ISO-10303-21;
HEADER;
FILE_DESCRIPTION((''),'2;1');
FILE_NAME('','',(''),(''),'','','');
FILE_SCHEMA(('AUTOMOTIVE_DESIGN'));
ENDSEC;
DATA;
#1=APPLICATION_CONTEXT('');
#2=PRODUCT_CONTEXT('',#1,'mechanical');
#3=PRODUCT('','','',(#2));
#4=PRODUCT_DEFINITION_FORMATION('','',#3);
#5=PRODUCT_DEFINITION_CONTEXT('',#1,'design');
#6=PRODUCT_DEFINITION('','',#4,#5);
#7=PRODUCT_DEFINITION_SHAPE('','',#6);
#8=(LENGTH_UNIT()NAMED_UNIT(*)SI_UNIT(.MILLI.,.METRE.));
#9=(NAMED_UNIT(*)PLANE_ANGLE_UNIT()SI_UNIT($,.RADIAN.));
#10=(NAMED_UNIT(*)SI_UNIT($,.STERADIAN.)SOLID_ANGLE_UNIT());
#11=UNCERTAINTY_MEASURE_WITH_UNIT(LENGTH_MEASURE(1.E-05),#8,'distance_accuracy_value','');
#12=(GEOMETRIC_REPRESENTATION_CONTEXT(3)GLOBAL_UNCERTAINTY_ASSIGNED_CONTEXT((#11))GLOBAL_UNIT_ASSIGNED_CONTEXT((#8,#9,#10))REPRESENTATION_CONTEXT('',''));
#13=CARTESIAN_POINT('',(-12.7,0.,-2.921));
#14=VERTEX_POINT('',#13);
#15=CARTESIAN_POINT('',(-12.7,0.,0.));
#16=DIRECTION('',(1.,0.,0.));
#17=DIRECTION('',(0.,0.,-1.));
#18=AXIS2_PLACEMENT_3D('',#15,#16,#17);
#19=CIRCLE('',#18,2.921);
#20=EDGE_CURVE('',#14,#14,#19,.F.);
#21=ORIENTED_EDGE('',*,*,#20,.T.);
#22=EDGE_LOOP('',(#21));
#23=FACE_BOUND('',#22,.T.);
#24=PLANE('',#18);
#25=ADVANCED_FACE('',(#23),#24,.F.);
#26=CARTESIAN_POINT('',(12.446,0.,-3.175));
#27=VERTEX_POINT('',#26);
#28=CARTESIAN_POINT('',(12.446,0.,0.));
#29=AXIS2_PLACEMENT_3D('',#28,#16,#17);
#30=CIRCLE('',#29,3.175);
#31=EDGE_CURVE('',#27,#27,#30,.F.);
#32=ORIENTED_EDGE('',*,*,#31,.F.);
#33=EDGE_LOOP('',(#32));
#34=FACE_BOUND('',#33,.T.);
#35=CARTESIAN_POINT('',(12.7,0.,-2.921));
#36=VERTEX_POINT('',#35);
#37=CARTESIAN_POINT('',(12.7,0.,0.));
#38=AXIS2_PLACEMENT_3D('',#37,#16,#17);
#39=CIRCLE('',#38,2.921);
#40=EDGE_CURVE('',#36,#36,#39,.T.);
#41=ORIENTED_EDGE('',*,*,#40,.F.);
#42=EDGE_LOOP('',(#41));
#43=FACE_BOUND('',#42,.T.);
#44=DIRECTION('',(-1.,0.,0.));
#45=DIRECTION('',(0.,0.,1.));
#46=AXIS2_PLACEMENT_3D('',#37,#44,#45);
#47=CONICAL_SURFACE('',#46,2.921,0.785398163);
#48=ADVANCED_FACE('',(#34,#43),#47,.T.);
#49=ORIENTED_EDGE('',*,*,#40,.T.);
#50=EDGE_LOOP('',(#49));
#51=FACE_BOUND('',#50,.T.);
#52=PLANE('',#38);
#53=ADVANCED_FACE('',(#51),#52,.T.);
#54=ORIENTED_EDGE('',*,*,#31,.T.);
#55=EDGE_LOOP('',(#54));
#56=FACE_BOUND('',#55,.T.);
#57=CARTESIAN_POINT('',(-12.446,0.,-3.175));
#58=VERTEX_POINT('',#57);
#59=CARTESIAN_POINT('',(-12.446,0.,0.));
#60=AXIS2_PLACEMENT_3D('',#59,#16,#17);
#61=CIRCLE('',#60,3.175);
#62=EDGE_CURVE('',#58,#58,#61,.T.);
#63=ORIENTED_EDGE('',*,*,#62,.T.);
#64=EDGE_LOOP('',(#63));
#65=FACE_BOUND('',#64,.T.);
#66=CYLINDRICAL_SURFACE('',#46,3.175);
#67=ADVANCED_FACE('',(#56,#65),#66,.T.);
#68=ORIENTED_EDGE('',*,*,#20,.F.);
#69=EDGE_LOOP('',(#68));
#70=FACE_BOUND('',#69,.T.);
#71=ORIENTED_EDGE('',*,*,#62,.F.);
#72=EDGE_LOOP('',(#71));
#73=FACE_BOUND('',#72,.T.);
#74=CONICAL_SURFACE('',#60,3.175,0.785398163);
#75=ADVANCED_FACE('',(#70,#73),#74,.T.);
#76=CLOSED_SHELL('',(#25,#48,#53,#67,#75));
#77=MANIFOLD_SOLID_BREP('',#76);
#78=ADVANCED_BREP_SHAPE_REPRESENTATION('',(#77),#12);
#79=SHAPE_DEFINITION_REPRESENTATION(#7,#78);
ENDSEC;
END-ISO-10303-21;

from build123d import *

# Parameters (mm, degrees)
XSECTION_R      = 3.175
EXTRUSION_DEPTH = 12.7
CHAMFER1_SIZE   = 0.254


with BuildPart() as part:
    # xsection → extrusion (new body, symmetric)
    with BuildSketch(Plane(origin=(0, 0, 0), x_dir=(0, 0, -1), z_dir=(1, 0, 0))):
        Circle(XSECTION_R)
    extrude(amount=EXTRUSION_DEPTH, both=True)

    # Chamfer1
    chamfer1_edges = [part.edges().sort_by_distance(p)[0] for p in [
        (-12.7, 0, 3.175),
        (12.7, 0, 3.175),
    ]]
    chamfer(chamfer1_edges, length=CHAMFER1_SIZE)


solid = part.part
